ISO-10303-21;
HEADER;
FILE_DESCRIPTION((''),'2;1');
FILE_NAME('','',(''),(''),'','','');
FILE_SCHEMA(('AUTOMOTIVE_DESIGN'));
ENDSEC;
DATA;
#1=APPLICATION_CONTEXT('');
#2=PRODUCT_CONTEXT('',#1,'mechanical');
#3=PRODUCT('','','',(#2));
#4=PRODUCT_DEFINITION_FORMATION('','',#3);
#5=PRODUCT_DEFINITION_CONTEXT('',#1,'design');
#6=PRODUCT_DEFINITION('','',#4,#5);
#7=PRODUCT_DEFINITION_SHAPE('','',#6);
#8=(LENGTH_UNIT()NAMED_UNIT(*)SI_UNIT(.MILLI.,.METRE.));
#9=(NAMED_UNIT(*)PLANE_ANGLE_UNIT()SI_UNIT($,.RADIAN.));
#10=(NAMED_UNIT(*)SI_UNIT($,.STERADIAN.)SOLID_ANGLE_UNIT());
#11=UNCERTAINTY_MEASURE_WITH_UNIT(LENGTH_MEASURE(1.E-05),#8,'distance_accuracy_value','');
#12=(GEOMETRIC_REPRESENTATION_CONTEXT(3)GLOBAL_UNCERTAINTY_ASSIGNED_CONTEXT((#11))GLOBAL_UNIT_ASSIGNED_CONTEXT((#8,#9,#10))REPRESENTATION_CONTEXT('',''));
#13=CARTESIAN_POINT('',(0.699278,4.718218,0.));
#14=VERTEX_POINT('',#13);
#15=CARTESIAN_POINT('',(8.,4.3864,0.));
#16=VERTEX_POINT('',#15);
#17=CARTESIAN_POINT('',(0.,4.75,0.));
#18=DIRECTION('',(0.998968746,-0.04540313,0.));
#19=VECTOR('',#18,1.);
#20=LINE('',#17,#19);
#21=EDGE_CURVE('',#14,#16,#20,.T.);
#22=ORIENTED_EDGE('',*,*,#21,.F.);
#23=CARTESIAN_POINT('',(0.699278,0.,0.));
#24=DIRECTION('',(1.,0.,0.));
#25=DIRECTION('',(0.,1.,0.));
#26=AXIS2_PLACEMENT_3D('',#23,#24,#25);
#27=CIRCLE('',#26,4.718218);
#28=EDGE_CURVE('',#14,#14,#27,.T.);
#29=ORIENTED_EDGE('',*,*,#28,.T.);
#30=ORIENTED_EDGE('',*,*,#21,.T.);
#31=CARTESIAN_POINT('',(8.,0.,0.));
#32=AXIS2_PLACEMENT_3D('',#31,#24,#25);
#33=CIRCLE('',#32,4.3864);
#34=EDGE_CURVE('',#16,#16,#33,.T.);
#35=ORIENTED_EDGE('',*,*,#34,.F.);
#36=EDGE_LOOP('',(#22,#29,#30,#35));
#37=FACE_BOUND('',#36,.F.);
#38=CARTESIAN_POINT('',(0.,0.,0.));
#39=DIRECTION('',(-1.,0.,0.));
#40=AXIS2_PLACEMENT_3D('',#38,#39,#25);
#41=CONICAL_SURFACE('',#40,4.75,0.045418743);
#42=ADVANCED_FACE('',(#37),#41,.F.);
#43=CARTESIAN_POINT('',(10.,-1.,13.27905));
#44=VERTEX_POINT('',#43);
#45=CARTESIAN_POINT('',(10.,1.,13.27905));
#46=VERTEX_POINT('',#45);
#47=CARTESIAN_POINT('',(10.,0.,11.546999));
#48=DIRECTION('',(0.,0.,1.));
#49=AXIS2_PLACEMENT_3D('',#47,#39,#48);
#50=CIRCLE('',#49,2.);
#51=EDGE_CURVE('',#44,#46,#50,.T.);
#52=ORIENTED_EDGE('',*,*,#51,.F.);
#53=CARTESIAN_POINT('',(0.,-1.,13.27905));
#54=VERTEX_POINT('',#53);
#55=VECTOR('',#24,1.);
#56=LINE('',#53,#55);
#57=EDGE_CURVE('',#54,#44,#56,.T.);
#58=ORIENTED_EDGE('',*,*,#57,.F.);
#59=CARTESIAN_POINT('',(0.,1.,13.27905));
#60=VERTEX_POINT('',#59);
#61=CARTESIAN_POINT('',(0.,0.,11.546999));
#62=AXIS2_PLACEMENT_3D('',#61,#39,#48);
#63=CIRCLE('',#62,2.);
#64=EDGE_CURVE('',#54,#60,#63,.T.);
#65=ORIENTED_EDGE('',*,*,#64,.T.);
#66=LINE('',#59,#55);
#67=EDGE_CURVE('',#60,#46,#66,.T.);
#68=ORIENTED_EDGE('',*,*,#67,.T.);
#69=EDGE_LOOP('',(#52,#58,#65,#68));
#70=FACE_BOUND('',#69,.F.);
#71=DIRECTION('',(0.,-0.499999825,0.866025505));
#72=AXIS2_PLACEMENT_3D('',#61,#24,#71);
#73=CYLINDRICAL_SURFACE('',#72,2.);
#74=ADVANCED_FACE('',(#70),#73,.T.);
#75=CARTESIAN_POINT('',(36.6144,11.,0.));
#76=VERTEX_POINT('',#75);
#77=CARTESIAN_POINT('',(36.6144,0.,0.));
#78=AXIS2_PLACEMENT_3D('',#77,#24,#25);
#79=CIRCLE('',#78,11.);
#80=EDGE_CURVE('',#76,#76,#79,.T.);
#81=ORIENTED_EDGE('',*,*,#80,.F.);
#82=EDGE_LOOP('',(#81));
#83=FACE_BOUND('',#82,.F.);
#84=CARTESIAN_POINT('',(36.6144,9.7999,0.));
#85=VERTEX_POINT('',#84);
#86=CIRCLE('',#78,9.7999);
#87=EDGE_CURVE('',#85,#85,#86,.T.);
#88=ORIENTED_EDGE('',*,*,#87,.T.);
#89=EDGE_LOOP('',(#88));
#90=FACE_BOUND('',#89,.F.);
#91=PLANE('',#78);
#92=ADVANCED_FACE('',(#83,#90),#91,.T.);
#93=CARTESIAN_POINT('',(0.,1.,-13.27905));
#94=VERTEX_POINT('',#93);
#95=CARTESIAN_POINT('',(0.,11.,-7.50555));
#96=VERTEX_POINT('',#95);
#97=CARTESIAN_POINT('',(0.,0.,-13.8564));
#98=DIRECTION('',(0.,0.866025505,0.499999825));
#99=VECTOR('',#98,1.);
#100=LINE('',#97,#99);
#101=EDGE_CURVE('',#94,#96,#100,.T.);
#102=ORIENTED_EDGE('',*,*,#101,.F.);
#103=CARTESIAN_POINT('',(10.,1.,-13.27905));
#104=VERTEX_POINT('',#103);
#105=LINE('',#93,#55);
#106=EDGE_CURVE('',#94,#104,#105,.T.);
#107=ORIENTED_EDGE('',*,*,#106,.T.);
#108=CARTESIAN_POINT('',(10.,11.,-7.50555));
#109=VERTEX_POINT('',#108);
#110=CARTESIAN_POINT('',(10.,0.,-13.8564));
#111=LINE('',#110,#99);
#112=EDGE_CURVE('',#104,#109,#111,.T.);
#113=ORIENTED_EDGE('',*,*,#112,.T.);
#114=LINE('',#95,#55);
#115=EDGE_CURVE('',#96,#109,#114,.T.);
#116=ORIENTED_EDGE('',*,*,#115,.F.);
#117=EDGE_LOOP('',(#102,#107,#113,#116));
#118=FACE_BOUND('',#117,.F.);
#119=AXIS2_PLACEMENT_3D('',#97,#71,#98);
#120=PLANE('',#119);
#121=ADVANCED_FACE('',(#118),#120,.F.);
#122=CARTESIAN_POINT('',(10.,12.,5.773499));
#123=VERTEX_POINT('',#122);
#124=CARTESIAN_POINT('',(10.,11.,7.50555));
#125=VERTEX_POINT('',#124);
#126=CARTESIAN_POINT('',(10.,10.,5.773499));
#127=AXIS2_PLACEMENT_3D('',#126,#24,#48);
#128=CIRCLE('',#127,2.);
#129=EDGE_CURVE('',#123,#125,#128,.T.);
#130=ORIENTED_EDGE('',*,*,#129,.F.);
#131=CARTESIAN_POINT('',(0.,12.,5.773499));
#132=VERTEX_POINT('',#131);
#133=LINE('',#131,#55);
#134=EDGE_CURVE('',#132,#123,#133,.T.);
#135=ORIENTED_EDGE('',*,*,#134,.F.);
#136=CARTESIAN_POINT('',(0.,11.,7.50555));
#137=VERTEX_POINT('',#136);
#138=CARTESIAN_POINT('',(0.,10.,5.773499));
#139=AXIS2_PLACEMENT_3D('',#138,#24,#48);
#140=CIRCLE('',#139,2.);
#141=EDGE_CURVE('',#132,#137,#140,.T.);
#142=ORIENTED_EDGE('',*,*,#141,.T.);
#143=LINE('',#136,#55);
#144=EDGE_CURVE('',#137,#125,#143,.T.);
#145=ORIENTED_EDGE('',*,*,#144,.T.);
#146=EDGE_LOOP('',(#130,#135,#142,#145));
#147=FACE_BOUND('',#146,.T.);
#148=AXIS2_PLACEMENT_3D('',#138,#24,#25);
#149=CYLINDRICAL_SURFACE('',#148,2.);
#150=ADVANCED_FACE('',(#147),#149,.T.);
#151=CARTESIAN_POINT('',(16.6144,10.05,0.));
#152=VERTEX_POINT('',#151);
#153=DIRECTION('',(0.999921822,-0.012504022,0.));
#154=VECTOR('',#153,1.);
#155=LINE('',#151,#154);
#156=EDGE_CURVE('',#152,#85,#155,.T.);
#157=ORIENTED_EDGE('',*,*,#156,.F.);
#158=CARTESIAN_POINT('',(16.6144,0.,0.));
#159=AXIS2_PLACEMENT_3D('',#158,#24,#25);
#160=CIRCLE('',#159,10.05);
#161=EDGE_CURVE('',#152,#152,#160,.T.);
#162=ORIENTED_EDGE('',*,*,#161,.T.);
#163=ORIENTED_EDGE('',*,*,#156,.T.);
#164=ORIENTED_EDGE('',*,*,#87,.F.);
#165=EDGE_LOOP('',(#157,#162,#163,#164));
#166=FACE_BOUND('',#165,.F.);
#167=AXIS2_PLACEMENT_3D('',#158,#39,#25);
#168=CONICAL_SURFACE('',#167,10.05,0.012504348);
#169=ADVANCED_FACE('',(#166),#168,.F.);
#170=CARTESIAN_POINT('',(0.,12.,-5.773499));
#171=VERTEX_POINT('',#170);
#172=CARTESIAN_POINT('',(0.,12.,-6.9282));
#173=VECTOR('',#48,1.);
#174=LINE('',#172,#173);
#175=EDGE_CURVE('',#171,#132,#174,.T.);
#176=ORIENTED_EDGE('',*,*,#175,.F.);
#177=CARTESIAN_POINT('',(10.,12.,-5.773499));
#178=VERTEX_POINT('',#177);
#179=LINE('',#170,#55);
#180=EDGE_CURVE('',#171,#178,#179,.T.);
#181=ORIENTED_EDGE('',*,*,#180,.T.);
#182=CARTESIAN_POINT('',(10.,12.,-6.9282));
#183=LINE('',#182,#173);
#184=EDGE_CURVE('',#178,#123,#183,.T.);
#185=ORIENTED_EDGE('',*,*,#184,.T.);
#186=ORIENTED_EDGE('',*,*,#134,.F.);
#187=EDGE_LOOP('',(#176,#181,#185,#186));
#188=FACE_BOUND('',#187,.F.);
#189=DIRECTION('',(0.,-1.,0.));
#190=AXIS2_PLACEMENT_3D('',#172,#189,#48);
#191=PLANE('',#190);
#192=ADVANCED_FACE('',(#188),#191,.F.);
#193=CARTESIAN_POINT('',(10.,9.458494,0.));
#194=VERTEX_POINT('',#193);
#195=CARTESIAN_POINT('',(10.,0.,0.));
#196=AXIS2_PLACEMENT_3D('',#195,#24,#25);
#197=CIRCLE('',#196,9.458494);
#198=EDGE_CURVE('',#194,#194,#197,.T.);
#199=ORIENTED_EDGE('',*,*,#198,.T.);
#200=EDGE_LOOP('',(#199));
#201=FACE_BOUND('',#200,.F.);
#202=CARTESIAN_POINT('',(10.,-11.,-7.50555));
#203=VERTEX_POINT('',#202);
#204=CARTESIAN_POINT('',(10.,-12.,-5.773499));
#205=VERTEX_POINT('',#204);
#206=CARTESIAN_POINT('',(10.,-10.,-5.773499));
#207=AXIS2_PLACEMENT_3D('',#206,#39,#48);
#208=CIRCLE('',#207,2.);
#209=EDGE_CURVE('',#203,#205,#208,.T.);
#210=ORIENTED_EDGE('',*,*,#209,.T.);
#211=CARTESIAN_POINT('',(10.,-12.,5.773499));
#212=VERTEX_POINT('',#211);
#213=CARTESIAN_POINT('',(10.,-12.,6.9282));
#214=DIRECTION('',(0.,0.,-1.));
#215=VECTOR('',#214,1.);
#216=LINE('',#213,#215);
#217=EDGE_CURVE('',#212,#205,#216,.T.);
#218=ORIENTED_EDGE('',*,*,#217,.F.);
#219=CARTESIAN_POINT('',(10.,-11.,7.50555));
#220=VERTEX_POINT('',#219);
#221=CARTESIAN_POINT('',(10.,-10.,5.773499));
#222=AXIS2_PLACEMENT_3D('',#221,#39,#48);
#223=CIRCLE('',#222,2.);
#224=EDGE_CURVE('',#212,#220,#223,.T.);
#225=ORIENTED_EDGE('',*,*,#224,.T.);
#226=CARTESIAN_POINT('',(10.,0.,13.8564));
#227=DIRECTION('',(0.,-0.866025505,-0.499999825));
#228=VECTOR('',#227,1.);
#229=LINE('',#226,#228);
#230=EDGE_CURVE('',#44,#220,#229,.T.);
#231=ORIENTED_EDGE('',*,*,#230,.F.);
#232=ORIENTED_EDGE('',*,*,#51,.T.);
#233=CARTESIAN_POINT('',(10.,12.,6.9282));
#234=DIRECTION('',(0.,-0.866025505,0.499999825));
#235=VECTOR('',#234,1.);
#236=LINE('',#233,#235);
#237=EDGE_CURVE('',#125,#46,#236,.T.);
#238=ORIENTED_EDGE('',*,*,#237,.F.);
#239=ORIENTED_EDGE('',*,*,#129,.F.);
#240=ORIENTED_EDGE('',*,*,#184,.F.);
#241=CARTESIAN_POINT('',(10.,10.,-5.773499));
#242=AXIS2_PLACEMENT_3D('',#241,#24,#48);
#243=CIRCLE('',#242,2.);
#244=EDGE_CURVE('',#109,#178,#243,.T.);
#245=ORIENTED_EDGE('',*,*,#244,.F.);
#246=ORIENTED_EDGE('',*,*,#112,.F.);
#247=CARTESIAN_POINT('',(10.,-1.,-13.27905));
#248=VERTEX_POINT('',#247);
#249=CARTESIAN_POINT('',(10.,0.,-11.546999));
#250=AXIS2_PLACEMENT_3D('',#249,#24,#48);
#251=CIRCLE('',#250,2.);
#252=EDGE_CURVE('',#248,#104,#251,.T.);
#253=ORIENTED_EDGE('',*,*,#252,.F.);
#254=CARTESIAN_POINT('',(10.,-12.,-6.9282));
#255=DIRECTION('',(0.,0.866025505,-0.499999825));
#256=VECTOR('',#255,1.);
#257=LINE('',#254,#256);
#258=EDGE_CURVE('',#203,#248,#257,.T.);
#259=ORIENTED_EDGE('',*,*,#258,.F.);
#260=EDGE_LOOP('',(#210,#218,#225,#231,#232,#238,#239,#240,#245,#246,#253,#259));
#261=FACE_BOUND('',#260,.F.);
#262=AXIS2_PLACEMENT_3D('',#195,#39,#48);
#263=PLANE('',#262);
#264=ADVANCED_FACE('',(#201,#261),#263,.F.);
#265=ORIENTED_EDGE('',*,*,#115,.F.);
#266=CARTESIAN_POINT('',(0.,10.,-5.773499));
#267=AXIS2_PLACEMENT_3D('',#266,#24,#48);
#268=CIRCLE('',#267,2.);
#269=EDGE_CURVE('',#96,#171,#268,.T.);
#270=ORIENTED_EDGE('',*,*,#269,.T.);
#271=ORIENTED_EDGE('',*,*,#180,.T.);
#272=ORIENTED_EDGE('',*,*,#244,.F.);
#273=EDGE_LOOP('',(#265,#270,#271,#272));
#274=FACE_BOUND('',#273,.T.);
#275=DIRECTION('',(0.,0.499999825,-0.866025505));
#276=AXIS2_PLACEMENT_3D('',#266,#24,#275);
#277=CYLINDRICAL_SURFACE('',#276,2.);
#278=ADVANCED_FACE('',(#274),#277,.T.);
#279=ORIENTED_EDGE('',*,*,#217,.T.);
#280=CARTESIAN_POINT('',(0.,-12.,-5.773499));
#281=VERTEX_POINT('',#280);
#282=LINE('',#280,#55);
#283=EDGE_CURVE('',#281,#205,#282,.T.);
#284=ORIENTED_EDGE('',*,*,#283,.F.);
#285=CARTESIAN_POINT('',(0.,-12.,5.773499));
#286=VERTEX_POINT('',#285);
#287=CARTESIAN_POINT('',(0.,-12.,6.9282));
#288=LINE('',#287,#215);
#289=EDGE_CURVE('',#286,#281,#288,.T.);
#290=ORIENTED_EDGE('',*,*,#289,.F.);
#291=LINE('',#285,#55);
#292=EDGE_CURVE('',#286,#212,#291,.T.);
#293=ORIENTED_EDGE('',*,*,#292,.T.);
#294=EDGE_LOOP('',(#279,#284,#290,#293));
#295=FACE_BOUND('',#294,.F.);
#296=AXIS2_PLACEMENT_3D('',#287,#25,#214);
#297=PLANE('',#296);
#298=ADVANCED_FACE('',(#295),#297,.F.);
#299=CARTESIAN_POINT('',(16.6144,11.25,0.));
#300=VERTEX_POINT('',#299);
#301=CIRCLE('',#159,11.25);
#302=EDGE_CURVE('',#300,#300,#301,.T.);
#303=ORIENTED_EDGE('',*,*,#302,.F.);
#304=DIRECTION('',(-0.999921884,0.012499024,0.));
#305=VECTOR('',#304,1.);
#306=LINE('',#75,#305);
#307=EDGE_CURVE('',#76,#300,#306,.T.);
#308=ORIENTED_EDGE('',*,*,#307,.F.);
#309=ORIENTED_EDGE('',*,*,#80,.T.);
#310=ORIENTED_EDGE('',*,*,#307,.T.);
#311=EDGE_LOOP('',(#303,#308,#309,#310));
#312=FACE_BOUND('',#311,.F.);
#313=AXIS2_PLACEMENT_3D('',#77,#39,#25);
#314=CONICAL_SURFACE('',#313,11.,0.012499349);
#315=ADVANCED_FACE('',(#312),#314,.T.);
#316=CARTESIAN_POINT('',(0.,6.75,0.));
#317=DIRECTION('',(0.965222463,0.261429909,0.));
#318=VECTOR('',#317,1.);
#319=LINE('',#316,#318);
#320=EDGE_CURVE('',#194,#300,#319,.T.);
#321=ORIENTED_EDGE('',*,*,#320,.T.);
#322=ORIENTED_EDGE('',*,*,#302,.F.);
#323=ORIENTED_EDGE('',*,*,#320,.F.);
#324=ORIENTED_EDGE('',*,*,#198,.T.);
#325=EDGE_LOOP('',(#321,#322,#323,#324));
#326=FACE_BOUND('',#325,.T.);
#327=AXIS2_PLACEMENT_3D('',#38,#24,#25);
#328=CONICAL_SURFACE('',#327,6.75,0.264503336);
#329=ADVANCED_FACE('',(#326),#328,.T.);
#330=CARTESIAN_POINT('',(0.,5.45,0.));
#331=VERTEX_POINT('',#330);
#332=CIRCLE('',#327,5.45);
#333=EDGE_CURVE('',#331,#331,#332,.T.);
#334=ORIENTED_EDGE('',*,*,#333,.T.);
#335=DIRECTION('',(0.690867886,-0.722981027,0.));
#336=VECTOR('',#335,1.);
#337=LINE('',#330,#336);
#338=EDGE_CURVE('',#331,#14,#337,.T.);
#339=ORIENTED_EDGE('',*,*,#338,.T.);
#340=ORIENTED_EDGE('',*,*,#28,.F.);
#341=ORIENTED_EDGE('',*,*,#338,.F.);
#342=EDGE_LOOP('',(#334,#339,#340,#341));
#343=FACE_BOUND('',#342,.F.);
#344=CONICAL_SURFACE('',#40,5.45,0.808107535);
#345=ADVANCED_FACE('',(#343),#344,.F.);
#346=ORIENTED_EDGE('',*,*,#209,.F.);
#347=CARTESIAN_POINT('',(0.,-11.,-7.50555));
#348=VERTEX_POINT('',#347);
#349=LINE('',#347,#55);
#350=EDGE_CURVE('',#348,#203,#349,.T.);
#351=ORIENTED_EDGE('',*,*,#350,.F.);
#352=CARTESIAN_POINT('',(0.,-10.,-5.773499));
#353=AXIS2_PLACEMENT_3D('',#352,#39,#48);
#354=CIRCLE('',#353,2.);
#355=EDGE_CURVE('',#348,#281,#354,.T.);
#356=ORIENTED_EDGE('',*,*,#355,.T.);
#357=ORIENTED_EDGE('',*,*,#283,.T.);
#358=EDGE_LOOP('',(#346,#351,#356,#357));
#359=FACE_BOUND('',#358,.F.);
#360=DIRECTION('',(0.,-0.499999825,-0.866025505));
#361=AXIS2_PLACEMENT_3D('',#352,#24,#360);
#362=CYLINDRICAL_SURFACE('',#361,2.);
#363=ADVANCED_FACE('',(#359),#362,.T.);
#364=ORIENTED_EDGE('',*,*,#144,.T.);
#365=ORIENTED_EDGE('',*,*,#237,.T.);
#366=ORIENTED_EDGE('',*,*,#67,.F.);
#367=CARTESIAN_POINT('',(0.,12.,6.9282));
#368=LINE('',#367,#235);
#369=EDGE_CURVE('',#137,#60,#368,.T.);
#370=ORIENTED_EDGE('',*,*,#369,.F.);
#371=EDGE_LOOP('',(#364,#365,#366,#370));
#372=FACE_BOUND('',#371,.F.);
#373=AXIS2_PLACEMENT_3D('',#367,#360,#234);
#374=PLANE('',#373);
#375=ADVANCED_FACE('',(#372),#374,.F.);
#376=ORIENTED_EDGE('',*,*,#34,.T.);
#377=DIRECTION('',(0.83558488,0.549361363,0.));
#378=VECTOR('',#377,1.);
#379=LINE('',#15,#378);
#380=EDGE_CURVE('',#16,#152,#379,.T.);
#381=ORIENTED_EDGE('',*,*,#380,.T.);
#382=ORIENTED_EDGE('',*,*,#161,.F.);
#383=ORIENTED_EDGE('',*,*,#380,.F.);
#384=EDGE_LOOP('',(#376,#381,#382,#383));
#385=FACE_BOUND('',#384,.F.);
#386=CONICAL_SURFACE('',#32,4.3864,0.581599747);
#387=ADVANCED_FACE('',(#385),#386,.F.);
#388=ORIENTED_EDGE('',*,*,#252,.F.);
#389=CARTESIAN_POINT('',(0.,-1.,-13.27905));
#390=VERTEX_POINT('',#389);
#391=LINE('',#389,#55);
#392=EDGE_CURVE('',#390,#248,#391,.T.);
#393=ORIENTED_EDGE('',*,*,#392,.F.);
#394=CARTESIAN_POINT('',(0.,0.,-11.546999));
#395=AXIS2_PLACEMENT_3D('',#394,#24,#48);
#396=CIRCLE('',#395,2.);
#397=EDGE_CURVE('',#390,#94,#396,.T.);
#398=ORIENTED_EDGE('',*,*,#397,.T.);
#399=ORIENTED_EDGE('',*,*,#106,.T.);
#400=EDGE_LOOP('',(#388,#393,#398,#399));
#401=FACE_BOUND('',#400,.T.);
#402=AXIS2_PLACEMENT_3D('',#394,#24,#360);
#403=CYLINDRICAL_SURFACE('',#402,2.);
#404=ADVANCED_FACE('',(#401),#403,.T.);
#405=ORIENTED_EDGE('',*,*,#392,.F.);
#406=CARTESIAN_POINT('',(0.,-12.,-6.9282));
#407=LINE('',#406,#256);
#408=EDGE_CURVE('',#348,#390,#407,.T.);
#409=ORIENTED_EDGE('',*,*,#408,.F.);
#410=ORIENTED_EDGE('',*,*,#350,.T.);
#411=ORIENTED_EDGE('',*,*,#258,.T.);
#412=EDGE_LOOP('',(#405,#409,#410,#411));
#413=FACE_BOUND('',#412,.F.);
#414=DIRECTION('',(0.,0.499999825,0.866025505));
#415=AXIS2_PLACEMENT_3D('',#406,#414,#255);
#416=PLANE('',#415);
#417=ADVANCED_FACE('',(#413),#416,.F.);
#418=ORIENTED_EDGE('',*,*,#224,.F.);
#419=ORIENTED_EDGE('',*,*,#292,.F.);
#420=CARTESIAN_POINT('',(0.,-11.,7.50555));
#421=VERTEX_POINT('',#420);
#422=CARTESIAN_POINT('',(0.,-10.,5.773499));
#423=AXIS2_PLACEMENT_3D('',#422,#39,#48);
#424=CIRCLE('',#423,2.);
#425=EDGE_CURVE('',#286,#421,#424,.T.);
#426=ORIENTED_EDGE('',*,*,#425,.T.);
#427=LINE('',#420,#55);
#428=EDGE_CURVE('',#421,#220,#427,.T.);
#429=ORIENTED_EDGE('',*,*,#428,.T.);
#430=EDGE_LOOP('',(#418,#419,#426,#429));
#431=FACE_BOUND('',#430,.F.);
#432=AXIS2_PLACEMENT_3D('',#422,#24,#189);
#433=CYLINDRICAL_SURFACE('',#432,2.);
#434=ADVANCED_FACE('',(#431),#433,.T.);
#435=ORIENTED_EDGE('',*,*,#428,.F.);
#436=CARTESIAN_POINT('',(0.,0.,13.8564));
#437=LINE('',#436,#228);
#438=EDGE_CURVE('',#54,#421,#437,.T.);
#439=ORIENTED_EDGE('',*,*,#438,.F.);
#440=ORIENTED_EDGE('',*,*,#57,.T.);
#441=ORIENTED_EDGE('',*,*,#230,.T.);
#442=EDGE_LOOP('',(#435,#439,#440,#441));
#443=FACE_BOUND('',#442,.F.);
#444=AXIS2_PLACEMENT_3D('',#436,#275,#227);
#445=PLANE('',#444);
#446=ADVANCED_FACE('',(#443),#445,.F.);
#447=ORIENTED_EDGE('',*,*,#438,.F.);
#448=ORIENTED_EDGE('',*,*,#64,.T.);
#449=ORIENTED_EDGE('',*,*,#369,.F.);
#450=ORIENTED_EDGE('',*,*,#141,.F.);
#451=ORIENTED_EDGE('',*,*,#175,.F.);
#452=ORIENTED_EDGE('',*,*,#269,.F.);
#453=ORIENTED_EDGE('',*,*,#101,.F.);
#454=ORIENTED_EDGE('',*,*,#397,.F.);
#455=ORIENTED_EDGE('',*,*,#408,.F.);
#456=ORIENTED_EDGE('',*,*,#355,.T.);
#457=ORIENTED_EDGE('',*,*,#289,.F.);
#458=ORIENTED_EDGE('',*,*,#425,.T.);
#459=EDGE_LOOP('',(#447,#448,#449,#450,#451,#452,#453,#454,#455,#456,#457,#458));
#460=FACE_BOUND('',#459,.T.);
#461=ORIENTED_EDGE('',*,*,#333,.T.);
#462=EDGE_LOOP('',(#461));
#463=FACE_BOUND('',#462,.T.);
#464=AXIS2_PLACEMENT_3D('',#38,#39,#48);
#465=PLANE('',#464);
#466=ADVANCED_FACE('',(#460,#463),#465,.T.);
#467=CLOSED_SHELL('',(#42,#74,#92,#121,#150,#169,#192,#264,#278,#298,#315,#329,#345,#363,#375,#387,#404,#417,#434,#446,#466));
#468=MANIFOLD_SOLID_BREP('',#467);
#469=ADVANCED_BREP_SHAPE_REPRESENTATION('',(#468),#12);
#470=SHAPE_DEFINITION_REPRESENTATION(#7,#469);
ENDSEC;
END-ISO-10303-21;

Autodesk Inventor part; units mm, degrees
ref_plane "YZ Plane" through (0, 0, 0) normal (1, 0, 0) x (0, 1, 0)
ref_plane "XZ Plane" through (0, 0, 0) normal (0, 1, 0) x (-1, 0, 0)
ref_plane "XY Plane" through (0, 0, 0) normal (0, 0, 1) x (1, 0, 0)
sketch "Sketch1" plane through (0, 0, 0) normal (0, 0, 1) x (1, 0, 0)
  line L0 (0, 0) -> (6.6144, 0) construction
  line L1 (0, 0) -> (0, 4.75) construction
  line L2 (0, 4.75) -> (8, 4.3864)
  line L3 (6.6144, 0) -> (16.6144, 0) construction
  line L4 (16.6144, 0) -> (16.6144, 11.25) construction
  line L5 (16.6144, 0) -> (36.6144, 0) construction
  line L6 (36.6144, 0) -> (36.6144, 11) construction
  line L7 (36.6144, 11) -> (16.6144, 11.25)
  line L8 (0, 4.75) -> (0, 6.75)
  line L9 (0, 4.75) -> (2, 4.75) construction
  line L10 (0, 6.75) -> (16.6144, 11.25)
  line L11 (8, 4.3864) -> (16.6144, 10.05)
  line L12 (16.6144, 10.05) -> (36.6144, 9.7999)
  line L13 (36.6144, 9.7999) -> (36.6144, 11)
  line L14 (0, 0) -> (3.3, 0) construction
  line L15 (3.3, 0) -> (3.3, 4.6) construction
  dimension "d2" = 4.75
  dimension "d3" = 11.25
  dimension "d4" = 20
  dimension "d5" = 11
  dimension "d6" = 2
  dimension "d7" = 90
  dimension "d8" = 1.2
  dimension "d9" = 1.2
  dimension "d10" = 10
  dimension "d24" = 177.397
  dimension "d25" = 8
  dimension "d26" = 3.3
  dimension "d27" = 4.6
  dimension "d28" = 6.6144
revolve "Revolution1" add sketch "Sketch1" angle 360 about axis through (6.6144, 0, 0) along (1, 0, 0)
sketch "Sketch2" plane through (0, 0, 0) normal (-1, 0, 0) x (0, 0, 1)
  circle A0 centre (0, 0) radius 6.75 projected
  line L0 (0, -6.75) -> (0, -11.25) construction
  circle A1 centre (0, 0) radius 11.25 projected
  line L1 (1.633, -6.5495) -> (2.7216, -10.9158)
  line L2 (-1.633, -6.5495) -> (-2.7216, -10.9158)
  point P0 (-1.633, -6.5495)
  dimension "d12" = 14
extrude "Extrusion1" [suppressed]
chamfer "Chamfer1" [suppressed]
pattern_circular "Circular Pattern1" [suppressed]
chamfer "Chamfer2" distance 0.7 angle 45 1 edges at (0, -4.75, 0)
sketch "Sketch3" plane through (0, 0, 0) normal (-1, 0, 0) x (0, 0, 1)
  line L0 (-6.9282, -12) -> (-13.8564, 0)
  line L1 (-13.8564, 0) -> (-6.9282, 12)
  line L2 (-6.9282, 12) -> (6.9282, 12)
  line L3 (6.9282, 12) -> (13.8564, 0)
  line L4 (13.8564, 0) -> (6.9282, -12)
  line L5 (6.9282, -12) -> (-6.9282, -12)
  circle A0 centre (0, 0) radius 6.75 projected
  point P0 (0, -12)
  dimension "d32" = 24
extrude "Extrusion2" add sketch "Sketch3" against normal blind 10
fillet "Fillet1" radius 2 6 edges at (5, 12, 6.9282) (5, 12, -6.9282) (5, 0, -13.8564) (5, -12, -6.9282) (5, -12, 6.9282) (5, 0, 13.8564)
equation "\"Tol\" = 0"
properties part number "PneumaticAdaptor"
